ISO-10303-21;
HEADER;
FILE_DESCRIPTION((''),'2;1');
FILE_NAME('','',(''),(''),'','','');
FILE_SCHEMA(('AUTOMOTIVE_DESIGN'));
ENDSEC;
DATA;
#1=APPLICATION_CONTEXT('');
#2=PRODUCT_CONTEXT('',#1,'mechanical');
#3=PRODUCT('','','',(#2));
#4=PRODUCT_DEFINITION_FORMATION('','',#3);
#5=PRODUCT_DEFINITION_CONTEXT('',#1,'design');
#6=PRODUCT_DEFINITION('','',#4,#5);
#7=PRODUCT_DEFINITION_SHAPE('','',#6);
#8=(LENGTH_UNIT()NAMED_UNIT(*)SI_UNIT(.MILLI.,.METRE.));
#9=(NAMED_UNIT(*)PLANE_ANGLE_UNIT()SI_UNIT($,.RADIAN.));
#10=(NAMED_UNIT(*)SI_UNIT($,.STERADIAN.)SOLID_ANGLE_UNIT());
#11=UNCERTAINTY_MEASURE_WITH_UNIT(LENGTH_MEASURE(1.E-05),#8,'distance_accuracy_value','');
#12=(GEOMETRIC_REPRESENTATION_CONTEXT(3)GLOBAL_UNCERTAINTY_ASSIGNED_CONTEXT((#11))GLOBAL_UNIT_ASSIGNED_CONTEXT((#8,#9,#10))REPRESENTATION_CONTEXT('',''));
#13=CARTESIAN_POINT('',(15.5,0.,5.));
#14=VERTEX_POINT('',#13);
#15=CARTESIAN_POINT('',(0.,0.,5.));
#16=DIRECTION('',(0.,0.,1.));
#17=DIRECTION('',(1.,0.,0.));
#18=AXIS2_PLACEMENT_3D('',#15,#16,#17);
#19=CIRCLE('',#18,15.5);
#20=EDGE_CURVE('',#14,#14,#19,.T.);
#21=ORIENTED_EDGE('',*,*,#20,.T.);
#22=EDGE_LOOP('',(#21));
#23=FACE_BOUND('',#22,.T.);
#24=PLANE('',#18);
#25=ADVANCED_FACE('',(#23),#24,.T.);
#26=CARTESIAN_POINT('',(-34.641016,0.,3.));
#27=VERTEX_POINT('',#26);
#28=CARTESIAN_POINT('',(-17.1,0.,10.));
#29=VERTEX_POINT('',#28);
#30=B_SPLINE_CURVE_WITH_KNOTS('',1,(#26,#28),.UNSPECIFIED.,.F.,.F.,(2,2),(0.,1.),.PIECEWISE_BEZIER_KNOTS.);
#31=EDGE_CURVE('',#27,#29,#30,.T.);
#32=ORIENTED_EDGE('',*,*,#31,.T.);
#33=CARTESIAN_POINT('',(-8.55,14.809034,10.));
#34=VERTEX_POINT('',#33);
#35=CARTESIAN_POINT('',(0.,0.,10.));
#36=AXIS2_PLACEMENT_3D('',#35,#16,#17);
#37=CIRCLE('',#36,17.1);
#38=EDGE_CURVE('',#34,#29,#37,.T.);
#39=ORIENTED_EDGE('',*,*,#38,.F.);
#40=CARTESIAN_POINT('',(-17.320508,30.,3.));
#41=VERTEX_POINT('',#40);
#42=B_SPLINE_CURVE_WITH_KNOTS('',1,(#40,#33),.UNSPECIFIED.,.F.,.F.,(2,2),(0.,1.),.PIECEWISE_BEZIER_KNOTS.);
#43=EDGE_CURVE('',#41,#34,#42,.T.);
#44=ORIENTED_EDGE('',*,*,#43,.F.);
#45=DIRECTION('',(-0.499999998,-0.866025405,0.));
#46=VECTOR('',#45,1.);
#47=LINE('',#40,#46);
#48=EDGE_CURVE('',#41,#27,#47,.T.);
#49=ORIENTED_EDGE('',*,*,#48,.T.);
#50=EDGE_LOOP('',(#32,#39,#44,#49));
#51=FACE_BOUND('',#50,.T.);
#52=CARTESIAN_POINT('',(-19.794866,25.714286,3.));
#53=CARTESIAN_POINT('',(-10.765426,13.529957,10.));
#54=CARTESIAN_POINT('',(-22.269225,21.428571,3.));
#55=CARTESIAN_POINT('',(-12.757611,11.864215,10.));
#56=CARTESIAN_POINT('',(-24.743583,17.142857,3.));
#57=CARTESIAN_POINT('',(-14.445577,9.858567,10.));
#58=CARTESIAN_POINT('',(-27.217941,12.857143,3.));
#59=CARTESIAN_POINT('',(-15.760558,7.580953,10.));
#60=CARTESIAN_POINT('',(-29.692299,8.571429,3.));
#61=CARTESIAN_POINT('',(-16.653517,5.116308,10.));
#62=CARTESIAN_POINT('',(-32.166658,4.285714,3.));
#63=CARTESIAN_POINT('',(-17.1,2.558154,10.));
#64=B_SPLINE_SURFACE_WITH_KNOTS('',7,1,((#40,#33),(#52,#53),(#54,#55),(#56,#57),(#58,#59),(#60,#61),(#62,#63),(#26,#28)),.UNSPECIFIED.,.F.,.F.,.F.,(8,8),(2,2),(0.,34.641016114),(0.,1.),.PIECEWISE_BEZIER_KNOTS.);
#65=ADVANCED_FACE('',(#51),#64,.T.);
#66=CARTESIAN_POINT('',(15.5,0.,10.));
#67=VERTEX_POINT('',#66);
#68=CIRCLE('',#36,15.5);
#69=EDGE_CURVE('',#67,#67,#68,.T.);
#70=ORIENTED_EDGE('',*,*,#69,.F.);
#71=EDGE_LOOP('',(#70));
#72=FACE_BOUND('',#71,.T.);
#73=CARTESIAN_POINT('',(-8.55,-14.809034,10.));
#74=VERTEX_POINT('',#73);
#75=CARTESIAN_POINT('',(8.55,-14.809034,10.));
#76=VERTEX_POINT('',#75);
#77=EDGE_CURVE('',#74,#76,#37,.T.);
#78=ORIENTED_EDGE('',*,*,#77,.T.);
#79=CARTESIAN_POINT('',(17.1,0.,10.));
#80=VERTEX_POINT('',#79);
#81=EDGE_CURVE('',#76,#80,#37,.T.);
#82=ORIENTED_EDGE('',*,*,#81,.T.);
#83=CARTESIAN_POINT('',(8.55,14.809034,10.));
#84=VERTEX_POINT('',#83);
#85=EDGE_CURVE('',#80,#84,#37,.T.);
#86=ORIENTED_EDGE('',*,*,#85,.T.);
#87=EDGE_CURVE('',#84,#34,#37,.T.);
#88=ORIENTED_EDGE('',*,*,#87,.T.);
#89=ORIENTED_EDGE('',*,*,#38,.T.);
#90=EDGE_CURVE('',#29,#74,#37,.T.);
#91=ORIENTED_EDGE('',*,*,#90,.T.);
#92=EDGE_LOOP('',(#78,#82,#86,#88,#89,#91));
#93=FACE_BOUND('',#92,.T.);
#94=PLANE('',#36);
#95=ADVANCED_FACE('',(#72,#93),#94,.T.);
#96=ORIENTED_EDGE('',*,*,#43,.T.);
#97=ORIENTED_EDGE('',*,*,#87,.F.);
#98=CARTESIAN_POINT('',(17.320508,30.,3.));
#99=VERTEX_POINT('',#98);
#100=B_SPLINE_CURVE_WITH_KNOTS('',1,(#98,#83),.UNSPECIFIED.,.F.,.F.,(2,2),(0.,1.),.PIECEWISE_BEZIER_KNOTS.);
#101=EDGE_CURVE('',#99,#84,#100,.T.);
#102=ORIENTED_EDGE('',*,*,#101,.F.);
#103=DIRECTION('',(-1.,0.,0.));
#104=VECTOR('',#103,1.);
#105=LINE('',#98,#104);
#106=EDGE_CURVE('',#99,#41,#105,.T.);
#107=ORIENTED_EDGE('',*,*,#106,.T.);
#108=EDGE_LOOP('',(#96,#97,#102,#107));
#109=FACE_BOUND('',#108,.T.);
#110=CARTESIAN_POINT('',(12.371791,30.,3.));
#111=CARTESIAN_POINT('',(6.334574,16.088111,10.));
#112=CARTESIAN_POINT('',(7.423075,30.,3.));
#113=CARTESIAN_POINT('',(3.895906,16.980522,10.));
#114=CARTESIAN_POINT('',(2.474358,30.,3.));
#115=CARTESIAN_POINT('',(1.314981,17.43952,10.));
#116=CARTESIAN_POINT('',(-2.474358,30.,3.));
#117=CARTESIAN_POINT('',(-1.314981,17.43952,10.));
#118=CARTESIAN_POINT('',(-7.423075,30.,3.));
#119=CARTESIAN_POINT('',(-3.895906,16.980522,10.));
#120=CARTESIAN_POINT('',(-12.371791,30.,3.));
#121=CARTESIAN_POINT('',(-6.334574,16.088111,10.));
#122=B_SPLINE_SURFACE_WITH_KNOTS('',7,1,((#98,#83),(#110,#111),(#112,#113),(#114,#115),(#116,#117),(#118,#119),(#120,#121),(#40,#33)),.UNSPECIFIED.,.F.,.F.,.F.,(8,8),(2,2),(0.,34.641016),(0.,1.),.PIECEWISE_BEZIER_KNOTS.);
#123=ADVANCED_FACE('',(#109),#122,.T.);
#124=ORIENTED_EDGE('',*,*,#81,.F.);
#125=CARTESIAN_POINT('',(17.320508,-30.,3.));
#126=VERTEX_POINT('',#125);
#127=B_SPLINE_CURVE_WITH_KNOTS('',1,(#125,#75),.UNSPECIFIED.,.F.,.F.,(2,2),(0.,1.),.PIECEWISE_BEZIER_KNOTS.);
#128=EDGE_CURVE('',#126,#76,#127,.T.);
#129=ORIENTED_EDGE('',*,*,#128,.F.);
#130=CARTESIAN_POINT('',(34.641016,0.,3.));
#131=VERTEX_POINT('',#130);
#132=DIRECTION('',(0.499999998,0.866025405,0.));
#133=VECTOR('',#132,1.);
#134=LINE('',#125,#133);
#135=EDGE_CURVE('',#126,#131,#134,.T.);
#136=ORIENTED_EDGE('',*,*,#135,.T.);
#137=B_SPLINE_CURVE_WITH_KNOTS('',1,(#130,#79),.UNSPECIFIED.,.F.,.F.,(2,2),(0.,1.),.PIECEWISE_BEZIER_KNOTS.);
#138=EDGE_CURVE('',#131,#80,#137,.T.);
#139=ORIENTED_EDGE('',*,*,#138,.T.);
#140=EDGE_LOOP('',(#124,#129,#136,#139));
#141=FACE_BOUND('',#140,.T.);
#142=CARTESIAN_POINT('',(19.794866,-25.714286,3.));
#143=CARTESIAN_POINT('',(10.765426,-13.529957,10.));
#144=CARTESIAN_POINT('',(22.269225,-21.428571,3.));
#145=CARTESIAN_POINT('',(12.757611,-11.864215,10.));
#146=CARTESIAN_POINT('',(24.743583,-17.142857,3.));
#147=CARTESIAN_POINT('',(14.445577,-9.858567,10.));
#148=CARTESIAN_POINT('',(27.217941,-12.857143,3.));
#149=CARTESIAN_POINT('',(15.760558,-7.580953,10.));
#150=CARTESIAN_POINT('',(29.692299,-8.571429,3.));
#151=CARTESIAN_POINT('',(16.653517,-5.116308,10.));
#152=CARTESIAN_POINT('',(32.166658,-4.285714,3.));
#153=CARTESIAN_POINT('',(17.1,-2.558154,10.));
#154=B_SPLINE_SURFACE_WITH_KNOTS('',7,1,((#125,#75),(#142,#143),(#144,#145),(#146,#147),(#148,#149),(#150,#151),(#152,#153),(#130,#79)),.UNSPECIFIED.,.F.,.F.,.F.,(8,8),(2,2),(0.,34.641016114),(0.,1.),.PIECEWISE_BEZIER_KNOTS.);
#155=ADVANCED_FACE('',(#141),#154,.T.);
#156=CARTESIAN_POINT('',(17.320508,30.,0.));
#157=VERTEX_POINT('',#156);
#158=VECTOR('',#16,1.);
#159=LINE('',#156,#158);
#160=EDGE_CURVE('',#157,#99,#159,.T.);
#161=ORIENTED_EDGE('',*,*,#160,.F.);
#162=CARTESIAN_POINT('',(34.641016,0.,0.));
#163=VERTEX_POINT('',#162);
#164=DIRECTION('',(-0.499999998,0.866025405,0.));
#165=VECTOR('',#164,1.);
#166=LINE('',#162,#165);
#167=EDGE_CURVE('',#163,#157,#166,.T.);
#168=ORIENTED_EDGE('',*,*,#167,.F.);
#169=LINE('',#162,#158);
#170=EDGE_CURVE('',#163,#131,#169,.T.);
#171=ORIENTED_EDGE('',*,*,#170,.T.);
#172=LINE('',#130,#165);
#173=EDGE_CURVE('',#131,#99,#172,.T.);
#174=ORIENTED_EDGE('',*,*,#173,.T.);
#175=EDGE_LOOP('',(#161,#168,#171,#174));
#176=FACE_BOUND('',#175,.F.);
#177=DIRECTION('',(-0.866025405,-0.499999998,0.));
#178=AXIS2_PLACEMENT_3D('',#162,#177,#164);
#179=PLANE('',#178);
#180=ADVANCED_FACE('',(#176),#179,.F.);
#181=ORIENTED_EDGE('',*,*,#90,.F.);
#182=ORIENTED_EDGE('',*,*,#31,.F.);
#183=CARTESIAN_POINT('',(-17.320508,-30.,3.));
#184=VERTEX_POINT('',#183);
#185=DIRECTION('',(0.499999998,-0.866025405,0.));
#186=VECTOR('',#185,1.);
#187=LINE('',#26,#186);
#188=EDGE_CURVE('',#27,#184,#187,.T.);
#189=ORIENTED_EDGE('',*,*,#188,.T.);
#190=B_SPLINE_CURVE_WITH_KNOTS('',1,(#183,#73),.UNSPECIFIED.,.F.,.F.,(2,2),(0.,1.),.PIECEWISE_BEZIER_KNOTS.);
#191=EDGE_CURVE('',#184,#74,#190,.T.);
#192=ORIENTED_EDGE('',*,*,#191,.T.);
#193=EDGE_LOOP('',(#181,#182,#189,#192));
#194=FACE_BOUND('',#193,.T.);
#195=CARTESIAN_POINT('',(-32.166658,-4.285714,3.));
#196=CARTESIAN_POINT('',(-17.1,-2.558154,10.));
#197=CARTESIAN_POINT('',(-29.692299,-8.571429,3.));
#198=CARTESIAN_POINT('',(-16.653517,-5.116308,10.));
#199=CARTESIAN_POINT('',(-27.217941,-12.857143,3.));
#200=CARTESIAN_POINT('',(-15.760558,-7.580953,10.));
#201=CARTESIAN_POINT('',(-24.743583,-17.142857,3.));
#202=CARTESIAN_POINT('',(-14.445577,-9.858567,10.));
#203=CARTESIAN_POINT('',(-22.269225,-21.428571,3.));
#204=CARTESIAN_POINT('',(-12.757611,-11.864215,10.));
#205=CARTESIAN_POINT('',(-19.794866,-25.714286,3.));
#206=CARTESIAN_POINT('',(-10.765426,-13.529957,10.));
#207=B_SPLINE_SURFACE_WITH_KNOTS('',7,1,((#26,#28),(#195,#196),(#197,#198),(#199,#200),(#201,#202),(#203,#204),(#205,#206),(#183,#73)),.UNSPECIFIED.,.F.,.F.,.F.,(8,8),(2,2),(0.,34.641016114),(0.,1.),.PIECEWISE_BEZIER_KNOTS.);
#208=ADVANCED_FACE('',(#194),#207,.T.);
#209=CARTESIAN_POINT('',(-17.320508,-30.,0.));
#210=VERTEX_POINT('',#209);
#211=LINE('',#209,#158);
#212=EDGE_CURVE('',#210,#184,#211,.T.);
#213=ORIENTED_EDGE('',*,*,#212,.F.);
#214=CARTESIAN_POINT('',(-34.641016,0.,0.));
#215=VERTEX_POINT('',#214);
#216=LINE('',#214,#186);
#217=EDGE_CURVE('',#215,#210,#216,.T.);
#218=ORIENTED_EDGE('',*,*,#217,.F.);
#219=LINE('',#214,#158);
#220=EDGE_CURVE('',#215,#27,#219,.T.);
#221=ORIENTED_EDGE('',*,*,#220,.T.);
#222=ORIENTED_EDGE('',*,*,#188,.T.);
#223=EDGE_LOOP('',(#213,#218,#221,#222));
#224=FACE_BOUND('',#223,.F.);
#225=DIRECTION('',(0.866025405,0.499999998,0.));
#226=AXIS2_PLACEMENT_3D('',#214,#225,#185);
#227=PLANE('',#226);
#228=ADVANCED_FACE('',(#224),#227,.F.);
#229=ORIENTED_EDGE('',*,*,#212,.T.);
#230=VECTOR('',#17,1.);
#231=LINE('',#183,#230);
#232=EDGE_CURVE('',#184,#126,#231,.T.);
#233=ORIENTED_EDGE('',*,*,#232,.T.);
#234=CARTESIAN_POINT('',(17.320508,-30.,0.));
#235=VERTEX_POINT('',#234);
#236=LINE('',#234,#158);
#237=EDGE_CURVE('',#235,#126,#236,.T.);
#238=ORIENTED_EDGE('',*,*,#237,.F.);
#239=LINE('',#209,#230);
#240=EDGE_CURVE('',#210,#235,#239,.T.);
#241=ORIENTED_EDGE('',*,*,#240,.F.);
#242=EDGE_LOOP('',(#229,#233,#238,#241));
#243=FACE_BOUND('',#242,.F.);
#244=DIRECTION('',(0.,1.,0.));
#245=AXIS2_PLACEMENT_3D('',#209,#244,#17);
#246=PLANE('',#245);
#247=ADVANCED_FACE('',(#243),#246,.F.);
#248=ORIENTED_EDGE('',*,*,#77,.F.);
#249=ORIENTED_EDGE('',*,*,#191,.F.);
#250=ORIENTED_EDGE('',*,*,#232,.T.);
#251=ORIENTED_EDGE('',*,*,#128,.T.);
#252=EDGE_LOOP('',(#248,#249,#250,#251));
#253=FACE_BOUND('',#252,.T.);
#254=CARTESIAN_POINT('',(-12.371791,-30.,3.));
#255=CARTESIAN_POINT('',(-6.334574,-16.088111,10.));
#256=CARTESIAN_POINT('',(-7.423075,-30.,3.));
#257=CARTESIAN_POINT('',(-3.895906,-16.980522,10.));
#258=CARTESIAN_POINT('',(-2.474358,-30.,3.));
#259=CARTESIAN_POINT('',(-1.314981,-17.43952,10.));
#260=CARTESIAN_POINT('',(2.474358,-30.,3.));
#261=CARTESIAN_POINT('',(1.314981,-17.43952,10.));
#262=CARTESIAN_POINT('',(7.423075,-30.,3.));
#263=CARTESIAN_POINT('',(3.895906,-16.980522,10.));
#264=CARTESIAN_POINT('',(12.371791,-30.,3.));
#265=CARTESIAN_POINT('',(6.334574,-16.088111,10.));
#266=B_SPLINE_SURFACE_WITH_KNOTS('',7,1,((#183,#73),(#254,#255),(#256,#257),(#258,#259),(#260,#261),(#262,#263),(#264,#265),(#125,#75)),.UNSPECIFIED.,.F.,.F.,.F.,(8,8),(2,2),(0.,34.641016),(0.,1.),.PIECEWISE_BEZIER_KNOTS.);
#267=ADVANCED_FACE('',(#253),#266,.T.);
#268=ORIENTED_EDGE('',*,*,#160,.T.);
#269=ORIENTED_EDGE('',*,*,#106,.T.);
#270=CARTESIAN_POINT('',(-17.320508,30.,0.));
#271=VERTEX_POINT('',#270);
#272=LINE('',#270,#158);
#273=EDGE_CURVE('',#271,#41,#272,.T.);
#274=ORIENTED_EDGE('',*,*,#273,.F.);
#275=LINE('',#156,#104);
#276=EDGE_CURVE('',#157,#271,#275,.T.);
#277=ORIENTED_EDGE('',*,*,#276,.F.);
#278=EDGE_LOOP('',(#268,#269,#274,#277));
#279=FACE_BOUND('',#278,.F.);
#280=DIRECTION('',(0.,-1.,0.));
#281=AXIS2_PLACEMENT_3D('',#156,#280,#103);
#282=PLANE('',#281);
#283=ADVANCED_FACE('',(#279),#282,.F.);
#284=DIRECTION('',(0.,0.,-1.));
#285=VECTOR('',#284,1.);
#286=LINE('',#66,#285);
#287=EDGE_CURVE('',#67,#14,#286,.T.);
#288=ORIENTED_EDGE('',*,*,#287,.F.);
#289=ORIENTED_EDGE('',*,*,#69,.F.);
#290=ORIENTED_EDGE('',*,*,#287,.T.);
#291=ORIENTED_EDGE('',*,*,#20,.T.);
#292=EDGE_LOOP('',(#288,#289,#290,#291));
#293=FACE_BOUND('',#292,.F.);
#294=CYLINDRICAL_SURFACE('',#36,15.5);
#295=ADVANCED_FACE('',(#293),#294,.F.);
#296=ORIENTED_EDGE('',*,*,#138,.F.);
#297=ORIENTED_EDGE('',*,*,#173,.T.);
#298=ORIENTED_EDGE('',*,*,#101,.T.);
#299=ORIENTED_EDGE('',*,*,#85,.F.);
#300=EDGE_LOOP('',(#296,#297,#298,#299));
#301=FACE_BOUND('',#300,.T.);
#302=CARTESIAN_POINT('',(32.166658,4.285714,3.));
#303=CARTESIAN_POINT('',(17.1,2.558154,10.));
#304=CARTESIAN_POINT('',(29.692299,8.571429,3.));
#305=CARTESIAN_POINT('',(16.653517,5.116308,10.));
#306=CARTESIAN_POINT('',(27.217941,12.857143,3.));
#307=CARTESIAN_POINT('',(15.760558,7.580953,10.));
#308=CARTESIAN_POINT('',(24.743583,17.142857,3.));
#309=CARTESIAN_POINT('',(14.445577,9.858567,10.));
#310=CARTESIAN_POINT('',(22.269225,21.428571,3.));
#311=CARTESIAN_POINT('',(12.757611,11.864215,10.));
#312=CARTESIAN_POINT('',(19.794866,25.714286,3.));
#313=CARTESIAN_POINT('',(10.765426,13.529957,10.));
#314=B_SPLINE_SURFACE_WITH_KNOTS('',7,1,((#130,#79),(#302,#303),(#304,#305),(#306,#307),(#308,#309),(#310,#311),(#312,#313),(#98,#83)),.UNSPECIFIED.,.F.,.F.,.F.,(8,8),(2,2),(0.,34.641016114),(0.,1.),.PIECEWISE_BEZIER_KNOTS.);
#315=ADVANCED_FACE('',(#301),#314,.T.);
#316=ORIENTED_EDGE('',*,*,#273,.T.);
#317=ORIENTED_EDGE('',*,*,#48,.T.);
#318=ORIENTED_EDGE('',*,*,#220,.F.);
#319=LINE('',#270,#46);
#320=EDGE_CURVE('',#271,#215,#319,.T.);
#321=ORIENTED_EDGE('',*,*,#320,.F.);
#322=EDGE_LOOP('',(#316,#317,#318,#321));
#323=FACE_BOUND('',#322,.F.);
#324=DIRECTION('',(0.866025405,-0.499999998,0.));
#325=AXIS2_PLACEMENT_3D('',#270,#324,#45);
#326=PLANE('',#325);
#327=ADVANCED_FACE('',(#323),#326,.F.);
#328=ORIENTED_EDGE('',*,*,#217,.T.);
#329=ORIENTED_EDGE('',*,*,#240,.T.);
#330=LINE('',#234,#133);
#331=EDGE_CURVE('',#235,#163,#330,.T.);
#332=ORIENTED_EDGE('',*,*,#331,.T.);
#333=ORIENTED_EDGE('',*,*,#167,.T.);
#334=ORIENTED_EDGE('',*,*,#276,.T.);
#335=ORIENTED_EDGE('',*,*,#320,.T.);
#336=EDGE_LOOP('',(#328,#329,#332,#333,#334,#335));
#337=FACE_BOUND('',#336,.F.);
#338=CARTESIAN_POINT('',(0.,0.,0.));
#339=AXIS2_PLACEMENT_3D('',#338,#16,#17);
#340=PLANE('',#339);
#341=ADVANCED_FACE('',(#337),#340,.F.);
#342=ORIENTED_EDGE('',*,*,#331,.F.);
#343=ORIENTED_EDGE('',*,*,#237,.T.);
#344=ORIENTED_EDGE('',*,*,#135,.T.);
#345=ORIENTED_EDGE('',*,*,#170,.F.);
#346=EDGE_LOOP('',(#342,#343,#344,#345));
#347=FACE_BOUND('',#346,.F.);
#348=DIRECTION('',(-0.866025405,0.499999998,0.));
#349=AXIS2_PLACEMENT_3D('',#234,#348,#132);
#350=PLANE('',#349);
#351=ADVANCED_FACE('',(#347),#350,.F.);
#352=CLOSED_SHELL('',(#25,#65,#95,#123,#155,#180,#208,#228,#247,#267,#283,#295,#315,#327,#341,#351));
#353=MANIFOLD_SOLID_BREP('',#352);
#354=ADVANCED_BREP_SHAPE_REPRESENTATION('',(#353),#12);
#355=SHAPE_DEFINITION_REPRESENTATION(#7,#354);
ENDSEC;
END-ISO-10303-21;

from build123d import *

# Parameters (mm, degrees)
F1_DEPTH = 3
F3_R     = 17.1
F5_R     = 15.5
F6_DEPTH = 5


with BuildPart() as f1:
    # F0 (on Top) → F1 (new body)
    with BuildSketch(Plane.XY):
        Polygon((17.320508, 30), (-17.320508, 30), (-34.641016, 0), (-17.320508, -30), (17.320508, -30), (34.641016, 0), align=None)
    extrude(amount=F1_DEPTH)

    # F1_face (on face) → F4 section 0
    with BuildSketch(Plane.XY.offset(3)):
        Polygon((17.320508, 30), (-17.320508, 30), (-34.641016, 0), (-17.320508, -30), (17.320508, -30), (34.641016, 0), align=None)
    # F3 (on offset) → F4 section 1
    with BuildSketch(Plane.XY.offset(10)):
        Circle(F3_R)
    loft()

    # F5 (on face) → F6 (cut)
    with BuildSketch(Plane.XY.offset(10)):
        Circle(F5_R)
    extrude(amount=-F6_DEPTH, mode=Mode.SUBTRACT)


solid = f1.part
